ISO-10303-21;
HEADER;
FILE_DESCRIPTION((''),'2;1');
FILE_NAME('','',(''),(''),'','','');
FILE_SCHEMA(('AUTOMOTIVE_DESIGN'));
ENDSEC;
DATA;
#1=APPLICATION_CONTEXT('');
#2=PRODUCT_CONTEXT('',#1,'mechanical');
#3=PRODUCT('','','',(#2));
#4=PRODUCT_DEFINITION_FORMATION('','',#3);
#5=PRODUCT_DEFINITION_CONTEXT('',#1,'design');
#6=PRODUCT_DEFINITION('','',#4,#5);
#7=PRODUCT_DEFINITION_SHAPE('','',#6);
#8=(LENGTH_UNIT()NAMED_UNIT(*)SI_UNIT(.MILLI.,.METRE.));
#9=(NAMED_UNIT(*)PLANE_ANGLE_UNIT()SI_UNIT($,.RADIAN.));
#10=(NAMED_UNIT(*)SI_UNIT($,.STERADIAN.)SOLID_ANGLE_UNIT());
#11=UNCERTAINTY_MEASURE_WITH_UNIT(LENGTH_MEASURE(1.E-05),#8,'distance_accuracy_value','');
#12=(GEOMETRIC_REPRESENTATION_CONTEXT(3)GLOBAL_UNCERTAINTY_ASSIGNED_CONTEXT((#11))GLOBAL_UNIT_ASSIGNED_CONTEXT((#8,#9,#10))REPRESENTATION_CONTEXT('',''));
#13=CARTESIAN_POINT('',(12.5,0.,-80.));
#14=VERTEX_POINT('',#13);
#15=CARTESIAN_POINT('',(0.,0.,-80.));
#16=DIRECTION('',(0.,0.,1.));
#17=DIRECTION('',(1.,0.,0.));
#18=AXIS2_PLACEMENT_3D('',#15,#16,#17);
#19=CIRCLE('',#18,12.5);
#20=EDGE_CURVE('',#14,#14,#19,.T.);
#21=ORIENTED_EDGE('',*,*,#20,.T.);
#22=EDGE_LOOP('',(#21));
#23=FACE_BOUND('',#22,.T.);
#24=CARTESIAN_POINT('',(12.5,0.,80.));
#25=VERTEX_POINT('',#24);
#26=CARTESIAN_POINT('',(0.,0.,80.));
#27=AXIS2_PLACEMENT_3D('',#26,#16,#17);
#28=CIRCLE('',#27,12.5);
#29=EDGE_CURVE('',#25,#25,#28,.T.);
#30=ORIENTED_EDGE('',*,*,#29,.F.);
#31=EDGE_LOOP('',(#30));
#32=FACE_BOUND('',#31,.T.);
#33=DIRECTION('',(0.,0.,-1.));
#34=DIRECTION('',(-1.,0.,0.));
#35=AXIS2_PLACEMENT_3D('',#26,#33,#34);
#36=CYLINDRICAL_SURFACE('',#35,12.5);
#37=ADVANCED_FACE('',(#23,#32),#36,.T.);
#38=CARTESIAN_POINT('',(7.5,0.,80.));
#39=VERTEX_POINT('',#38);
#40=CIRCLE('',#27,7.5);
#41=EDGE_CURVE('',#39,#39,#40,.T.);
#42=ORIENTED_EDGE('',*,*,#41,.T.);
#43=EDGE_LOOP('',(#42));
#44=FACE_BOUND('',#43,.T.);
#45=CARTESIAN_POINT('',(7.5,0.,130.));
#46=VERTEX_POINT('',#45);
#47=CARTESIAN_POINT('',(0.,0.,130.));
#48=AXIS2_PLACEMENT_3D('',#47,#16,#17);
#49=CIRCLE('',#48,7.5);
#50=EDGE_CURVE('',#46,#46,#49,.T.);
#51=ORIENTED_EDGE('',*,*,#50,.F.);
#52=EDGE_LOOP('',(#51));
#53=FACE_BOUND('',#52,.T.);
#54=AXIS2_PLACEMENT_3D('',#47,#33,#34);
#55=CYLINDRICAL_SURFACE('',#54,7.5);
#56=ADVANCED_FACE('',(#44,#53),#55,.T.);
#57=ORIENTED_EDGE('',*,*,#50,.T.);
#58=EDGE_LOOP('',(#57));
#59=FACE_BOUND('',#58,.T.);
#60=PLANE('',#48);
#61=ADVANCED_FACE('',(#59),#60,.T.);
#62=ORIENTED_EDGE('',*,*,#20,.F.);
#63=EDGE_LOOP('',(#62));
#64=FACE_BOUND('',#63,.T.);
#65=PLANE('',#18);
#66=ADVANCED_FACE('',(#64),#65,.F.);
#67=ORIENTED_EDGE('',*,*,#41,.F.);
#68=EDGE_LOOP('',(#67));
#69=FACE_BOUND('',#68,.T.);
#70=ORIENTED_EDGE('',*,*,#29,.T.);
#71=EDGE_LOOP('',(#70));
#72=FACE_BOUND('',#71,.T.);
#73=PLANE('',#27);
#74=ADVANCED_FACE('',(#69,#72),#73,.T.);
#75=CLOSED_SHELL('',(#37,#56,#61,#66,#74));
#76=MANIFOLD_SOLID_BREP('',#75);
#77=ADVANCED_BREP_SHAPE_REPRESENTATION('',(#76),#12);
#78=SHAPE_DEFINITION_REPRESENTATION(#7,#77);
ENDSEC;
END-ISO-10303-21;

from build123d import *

# Parameters (mm, degrees)
SKETCH1_R           = 12.5
BOSS_EXTRUDE1_DEPTH = 80
SKETCH2_R           = 7.5
BOSS_EXTRUDE2_DEPTH = 50


with BuildPart() as part:
    # Sketch1 → Boss-Extrude1 (new, symmetric)
    with BuildSketch(Plane.XY):
        Circle(SKETCH1_R)
    extrude(amount=BOSS_EXTRUDE1_DEPTH, both=True)

    # Sketch2 → Boss-Extrude2 (add)
    with BuildSketch(Plane.XY.offset(80)):
        Circle(SKETCH2_R)
    extrude(amount=BOSS_EXTRUDE2_DEPTH)


solid = part.part
